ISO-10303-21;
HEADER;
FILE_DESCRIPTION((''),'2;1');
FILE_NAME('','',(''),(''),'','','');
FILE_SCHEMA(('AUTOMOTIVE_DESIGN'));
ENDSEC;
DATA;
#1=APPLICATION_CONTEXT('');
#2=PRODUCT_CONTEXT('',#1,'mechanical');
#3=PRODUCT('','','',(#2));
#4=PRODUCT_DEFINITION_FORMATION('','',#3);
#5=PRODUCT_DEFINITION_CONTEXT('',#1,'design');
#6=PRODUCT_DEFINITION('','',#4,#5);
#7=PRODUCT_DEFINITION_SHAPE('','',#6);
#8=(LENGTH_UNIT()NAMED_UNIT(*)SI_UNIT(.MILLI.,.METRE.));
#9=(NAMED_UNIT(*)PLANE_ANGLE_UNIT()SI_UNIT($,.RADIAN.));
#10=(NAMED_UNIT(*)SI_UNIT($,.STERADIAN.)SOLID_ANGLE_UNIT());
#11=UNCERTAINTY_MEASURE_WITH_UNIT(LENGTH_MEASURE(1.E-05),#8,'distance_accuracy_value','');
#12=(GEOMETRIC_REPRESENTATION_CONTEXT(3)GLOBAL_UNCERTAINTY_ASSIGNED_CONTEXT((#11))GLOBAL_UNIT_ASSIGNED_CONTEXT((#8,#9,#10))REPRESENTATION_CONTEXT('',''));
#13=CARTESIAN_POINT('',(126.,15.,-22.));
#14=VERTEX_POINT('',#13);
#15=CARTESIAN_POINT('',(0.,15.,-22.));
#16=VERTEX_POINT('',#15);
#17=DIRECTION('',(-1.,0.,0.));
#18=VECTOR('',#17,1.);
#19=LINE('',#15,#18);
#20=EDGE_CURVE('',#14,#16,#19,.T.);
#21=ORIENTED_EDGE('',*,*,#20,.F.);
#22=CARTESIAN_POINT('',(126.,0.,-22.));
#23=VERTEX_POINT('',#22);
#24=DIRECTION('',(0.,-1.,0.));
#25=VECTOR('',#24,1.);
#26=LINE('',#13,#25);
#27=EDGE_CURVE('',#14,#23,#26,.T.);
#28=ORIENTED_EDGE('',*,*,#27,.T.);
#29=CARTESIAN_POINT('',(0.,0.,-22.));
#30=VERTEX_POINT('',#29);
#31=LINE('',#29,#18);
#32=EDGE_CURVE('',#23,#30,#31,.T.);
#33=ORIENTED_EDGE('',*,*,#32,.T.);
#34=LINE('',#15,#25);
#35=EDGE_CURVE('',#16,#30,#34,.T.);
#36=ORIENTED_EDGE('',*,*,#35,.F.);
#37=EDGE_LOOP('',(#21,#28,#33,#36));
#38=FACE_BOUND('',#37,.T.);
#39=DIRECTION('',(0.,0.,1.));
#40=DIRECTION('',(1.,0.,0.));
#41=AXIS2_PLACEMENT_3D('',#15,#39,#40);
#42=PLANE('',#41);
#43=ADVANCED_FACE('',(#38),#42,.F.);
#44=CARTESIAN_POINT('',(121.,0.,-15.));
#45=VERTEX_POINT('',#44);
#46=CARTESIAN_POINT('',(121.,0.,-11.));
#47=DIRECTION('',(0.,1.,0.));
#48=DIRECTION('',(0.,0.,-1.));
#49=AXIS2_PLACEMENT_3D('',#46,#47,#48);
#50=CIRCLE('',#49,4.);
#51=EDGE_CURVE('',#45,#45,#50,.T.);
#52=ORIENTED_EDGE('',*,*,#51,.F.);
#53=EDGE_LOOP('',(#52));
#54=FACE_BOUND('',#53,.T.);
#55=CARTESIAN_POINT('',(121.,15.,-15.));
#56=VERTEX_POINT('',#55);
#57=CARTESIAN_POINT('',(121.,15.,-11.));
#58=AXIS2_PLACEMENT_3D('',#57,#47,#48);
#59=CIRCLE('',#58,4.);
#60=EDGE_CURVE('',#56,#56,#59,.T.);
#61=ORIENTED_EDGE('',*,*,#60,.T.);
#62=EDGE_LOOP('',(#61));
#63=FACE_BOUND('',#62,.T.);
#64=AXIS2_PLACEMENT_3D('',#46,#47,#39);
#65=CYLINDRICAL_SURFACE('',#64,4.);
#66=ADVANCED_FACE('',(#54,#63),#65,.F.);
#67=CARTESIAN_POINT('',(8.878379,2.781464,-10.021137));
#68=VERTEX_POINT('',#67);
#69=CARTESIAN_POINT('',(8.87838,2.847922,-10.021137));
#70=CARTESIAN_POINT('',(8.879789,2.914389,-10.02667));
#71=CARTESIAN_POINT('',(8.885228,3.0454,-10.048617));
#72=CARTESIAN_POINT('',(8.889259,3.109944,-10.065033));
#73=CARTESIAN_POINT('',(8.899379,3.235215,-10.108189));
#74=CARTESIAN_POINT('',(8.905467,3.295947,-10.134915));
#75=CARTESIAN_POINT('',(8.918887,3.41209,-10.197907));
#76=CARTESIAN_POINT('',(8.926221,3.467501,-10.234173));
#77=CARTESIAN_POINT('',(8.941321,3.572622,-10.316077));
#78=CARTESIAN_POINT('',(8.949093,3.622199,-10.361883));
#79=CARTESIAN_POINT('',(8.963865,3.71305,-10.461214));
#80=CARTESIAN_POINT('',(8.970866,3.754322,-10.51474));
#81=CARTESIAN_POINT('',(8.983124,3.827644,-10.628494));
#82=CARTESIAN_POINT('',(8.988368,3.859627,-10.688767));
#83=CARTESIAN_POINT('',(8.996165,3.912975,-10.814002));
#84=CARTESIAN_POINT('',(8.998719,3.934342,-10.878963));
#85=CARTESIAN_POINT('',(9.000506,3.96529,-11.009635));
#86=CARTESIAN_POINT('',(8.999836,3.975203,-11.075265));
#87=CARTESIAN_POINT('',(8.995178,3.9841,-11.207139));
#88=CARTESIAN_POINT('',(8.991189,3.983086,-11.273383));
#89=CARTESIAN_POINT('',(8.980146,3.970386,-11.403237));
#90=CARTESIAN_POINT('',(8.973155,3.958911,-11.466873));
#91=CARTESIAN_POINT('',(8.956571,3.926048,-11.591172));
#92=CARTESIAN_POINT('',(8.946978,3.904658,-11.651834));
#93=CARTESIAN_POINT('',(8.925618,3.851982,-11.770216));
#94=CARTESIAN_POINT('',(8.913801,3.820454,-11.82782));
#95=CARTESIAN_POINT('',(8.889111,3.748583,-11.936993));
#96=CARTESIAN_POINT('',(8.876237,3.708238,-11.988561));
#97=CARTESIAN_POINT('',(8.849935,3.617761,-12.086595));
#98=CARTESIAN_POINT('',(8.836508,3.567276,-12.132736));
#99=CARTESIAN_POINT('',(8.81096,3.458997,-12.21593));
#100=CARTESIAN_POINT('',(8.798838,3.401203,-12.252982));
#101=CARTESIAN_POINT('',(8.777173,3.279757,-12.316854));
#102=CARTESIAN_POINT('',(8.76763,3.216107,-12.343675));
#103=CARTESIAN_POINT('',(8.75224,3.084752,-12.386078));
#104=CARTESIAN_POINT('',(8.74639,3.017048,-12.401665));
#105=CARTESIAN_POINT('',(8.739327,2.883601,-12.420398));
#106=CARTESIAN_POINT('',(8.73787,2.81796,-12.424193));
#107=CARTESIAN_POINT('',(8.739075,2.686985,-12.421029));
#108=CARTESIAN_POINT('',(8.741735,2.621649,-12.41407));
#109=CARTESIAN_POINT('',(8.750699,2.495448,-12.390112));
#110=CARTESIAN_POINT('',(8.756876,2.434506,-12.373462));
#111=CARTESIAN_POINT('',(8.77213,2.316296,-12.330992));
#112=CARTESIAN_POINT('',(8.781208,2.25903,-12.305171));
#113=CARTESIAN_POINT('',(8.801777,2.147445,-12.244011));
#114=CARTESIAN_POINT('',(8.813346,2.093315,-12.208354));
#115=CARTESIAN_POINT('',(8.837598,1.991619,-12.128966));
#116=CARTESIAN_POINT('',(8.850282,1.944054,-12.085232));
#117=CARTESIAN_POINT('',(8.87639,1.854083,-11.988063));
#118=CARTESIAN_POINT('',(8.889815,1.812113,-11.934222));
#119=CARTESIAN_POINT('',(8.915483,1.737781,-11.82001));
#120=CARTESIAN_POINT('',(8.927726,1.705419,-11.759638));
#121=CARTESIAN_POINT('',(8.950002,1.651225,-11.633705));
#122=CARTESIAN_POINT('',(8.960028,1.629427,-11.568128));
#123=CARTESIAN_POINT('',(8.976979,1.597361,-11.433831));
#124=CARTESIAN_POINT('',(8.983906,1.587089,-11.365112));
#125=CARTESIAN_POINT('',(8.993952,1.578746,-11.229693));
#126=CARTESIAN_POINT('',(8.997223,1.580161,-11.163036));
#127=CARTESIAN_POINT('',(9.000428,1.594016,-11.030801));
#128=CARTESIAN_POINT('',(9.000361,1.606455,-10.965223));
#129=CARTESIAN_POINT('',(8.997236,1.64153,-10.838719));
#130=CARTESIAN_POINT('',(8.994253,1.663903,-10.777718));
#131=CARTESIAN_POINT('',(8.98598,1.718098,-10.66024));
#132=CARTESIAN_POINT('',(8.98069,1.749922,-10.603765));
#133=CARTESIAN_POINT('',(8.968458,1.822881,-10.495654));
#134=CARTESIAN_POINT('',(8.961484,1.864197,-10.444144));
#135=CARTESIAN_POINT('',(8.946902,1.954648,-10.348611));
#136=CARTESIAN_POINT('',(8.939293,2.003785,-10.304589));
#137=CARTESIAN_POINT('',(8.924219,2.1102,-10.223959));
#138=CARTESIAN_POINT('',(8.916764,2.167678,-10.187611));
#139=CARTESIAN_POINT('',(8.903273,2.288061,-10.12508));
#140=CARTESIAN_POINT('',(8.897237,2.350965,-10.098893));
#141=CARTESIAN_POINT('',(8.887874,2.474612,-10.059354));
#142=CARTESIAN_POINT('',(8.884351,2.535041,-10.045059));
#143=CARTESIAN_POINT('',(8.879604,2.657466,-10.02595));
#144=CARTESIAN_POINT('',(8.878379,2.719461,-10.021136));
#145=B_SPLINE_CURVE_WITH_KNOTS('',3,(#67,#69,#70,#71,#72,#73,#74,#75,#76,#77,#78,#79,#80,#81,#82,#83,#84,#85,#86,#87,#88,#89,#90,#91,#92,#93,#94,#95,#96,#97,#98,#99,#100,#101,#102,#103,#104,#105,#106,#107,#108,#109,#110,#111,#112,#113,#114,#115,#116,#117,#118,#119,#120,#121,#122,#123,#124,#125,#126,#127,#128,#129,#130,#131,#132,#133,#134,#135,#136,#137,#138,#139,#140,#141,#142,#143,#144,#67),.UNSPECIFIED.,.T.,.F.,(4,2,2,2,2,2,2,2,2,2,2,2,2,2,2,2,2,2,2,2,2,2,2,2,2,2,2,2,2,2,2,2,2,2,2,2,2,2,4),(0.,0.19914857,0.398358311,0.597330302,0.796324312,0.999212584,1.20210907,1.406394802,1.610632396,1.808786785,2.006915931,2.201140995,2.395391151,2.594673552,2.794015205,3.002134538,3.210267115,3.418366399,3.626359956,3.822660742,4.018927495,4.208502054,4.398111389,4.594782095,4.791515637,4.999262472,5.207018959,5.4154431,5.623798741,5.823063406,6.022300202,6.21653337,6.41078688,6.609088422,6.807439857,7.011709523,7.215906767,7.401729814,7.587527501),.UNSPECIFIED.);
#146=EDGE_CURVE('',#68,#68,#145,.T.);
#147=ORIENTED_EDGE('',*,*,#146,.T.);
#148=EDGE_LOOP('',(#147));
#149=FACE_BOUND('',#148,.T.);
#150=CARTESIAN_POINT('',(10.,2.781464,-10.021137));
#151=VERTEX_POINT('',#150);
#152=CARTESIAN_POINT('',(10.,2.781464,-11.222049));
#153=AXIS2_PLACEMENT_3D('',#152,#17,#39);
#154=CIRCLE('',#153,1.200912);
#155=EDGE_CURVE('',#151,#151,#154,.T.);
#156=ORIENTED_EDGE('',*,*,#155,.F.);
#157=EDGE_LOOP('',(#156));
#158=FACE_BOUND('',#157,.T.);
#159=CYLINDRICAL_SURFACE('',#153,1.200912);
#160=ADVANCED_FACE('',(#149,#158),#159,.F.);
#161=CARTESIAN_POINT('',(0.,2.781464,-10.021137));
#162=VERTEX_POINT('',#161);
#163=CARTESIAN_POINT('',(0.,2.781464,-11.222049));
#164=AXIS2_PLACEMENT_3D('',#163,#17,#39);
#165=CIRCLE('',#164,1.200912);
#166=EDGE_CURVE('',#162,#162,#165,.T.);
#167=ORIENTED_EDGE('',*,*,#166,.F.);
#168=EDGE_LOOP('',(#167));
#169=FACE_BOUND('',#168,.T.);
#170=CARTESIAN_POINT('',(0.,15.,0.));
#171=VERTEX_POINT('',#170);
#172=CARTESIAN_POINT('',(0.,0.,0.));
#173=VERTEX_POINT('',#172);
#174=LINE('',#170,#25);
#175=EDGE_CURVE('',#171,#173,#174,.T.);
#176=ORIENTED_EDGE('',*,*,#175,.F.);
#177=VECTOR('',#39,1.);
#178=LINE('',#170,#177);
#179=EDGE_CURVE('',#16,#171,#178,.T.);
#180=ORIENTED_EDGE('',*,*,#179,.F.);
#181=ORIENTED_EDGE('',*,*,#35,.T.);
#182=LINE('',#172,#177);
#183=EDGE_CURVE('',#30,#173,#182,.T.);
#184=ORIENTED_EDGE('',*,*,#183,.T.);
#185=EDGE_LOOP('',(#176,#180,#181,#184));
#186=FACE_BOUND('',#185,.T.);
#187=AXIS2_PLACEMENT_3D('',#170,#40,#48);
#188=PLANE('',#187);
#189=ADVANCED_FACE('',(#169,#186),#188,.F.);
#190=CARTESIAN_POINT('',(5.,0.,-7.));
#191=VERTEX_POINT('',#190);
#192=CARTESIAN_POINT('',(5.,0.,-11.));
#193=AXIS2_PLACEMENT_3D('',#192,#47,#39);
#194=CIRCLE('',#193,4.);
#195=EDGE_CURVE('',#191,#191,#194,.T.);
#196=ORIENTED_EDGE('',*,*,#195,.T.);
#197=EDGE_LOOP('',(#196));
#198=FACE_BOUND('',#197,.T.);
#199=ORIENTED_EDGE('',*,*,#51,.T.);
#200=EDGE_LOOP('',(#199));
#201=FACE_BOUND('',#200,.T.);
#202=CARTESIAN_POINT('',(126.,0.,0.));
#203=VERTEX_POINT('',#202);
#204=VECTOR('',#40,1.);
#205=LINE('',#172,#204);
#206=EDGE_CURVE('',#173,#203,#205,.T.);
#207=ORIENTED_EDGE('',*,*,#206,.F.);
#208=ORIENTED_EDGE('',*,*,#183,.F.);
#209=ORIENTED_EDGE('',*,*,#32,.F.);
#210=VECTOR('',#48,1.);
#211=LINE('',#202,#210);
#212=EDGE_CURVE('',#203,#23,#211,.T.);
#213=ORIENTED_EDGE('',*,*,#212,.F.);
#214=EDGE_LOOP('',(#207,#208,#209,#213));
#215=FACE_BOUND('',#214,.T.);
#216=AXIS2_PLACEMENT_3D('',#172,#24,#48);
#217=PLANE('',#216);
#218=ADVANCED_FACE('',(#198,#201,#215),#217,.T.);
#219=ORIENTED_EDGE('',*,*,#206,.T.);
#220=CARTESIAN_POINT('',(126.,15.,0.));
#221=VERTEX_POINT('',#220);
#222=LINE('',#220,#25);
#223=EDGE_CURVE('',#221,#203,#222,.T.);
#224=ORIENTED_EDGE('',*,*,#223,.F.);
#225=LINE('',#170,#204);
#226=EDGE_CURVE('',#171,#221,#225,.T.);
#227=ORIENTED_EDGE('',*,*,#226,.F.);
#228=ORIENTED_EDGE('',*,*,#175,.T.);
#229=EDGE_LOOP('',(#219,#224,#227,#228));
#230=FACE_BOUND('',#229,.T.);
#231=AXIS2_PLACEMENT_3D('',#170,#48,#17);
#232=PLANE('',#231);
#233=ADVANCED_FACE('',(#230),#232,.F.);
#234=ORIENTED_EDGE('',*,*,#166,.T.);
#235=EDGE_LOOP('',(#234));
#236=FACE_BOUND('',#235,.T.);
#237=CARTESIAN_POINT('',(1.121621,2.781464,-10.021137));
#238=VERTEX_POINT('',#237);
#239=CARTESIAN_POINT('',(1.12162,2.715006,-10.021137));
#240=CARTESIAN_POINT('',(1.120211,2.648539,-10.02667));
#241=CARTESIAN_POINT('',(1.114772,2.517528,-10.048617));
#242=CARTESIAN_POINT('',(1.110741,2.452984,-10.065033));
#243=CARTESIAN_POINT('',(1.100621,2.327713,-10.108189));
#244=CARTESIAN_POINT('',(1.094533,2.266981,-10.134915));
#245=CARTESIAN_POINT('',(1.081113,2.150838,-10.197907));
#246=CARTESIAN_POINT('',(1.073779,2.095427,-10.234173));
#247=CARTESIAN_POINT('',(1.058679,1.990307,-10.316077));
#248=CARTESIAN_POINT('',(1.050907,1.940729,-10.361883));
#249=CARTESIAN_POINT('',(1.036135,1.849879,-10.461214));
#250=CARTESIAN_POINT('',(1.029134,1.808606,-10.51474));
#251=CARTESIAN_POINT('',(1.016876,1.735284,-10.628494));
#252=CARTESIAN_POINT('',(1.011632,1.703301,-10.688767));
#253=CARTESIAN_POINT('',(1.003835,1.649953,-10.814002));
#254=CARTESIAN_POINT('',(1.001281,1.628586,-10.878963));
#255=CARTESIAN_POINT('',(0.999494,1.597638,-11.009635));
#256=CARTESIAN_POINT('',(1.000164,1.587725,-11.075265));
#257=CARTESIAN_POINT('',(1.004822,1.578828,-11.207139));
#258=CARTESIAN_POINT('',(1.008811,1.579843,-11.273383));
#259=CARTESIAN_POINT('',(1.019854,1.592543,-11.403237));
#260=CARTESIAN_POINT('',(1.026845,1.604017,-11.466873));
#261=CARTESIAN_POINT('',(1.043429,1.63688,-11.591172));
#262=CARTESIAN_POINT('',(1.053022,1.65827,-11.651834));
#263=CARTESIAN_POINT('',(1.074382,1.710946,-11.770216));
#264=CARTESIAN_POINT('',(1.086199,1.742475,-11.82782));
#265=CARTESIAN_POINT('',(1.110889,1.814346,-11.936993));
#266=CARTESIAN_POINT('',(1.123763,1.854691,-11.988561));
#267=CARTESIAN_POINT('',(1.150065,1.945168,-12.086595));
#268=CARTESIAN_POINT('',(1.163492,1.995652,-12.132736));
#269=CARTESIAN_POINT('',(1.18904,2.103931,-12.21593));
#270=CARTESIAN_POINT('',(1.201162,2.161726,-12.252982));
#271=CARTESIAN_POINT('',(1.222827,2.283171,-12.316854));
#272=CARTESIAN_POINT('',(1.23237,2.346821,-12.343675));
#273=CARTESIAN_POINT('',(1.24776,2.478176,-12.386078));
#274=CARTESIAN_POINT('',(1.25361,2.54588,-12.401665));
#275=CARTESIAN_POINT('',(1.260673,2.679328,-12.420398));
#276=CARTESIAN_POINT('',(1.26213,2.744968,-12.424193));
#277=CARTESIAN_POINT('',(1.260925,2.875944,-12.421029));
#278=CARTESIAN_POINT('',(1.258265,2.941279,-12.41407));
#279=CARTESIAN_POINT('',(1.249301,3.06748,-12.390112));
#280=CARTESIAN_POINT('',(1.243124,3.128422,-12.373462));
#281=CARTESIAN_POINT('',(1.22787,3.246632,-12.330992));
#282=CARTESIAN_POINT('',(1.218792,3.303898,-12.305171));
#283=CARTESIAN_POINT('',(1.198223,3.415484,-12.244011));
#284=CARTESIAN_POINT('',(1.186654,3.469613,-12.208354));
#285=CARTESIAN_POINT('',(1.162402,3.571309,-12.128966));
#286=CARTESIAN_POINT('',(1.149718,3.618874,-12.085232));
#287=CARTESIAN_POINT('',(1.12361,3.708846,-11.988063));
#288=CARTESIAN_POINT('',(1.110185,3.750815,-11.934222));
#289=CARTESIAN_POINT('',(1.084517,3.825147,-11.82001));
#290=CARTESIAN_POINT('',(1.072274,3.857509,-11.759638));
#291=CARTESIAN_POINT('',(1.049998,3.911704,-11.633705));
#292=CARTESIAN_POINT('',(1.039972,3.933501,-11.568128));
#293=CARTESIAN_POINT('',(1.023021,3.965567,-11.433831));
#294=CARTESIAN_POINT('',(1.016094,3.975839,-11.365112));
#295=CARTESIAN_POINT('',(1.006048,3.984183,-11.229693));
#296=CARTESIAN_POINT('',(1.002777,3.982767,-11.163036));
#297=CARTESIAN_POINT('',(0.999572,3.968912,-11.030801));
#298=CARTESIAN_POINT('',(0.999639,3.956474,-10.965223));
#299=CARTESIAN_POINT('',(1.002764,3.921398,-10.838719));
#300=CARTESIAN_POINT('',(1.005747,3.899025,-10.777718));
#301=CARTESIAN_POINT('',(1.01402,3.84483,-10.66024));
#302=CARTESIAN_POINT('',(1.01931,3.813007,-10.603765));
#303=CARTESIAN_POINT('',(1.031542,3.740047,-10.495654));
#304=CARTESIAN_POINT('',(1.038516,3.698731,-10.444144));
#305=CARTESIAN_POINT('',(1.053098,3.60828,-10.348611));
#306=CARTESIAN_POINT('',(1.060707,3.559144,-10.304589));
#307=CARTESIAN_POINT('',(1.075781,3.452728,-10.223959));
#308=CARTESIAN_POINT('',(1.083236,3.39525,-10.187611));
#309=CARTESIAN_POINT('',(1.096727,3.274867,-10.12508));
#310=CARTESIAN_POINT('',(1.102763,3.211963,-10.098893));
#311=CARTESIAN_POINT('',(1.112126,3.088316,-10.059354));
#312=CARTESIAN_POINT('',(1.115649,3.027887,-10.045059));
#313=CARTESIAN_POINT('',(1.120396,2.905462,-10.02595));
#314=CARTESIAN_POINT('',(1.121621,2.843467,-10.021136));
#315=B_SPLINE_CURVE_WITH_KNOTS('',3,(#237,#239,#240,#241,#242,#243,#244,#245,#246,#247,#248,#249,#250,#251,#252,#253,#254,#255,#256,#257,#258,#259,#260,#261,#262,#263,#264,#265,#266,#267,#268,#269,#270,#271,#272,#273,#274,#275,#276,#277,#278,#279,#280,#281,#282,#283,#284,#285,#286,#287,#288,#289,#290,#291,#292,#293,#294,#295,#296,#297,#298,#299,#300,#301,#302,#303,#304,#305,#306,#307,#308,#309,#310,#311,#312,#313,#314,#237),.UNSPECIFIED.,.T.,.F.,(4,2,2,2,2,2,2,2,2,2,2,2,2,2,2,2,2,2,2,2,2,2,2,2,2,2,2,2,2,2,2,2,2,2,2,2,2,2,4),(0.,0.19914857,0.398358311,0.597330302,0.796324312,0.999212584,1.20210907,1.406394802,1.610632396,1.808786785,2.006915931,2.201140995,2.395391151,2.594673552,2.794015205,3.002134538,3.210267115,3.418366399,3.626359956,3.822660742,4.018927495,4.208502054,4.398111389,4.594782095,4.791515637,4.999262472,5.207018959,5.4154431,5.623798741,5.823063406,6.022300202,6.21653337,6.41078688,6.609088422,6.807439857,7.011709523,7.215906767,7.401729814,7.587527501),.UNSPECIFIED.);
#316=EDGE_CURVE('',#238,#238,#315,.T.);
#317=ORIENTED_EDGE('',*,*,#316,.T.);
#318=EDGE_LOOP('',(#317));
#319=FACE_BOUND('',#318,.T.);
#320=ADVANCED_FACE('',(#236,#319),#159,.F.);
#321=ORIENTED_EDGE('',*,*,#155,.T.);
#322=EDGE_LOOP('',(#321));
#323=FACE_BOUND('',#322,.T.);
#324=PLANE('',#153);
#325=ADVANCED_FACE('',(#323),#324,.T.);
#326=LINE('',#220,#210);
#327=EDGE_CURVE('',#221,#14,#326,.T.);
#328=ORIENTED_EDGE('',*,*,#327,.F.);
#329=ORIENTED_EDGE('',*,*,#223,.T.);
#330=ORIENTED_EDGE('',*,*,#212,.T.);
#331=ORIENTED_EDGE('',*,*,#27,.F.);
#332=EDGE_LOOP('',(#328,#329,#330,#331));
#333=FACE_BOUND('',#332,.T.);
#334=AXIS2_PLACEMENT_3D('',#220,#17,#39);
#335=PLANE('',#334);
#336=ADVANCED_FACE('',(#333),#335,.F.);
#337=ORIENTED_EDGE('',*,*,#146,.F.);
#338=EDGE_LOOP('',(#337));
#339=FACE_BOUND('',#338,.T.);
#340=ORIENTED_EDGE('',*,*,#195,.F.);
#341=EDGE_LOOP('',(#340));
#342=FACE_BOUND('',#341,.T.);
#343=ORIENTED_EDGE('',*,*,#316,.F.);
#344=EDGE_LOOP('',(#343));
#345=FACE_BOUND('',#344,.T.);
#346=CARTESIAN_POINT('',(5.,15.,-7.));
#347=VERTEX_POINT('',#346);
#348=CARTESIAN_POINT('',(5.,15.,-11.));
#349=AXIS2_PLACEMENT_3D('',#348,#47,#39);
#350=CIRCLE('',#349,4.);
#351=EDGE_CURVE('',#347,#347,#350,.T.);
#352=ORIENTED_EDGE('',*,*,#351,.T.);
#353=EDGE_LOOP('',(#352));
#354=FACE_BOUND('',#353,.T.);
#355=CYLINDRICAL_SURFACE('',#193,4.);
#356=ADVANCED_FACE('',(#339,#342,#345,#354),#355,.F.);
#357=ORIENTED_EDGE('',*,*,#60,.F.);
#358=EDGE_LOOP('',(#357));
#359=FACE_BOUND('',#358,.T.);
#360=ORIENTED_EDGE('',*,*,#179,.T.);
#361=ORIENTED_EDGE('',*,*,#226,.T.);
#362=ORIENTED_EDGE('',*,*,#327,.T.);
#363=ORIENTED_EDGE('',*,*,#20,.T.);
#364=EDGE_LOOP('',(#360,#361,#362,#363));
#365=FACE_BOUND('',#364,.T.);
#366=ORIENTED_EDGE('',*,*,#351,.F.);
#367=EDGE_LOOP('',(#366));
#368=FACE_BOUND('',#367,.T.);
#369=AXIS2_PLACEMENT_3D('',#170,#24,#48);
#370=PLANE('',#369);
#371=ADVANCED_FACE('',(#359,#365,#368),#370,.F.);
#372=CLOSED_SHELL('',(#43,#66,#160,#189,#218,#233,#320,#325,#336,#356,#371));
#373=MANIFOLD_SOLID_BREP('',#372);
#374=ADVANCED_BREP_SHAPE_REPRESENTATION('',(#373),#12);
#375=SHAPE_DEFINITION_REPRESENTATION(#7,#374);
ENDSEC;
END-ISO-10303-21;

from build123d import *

# Parameters (mm, degrees)
SKETCH5_W           = 126
SKETCH5_H           = 22
BOSS_EXTRUDE5_DEPTH = 15
SKETCH6_R           = 1.200912212
CUT_EXTRUDE1_DEPTH  = 10
SKETCH7_R           = 4
CUT_EXTRUDE2_DEPTH  = 16


with BuildPart() as part:
    # Sketch5 → Boss-Extrude5 (new body)
    with BuildSketch(Plane(origin=(0, 0, 0), x_dir=(1, 0, 0), z_dir=(0, 1, 0))):
        with Locations((63, 11)):
            Rectangle(SKETCH5_W, SKETCH5_H)
    extrude(amount=BOSS_EXTRUDE5_DEPTH)

    # Sketch6 → Cut-Extrude1 (cut)
    with BuildSketch(Plane.ZY):
        with Locations((-11.222048747, 2.781464134)):
            Circle(SKETCH6_R)
    extrude(amount=-CUT_EXTRUDE1_DEPTH, mode=Mode.SUBTRACT)

    # Sketch7 → Cut-Extrude2 (cut, through all)
    with BuildSketch(Plane(origin=(0, 15, 0), x_dir=(1, 0, 0), z_dir=(0, 1, 0))):
        with Locations((5, 11)):
            Circle(SKETCH7_R)
        with Locations((121, 11)):
            Circle(SKETCH7_R)
    extrude(amount=-CUT_EXTRUDE2_DEPTH, mode=Mode.SUBTRACT)


solid = part.part
